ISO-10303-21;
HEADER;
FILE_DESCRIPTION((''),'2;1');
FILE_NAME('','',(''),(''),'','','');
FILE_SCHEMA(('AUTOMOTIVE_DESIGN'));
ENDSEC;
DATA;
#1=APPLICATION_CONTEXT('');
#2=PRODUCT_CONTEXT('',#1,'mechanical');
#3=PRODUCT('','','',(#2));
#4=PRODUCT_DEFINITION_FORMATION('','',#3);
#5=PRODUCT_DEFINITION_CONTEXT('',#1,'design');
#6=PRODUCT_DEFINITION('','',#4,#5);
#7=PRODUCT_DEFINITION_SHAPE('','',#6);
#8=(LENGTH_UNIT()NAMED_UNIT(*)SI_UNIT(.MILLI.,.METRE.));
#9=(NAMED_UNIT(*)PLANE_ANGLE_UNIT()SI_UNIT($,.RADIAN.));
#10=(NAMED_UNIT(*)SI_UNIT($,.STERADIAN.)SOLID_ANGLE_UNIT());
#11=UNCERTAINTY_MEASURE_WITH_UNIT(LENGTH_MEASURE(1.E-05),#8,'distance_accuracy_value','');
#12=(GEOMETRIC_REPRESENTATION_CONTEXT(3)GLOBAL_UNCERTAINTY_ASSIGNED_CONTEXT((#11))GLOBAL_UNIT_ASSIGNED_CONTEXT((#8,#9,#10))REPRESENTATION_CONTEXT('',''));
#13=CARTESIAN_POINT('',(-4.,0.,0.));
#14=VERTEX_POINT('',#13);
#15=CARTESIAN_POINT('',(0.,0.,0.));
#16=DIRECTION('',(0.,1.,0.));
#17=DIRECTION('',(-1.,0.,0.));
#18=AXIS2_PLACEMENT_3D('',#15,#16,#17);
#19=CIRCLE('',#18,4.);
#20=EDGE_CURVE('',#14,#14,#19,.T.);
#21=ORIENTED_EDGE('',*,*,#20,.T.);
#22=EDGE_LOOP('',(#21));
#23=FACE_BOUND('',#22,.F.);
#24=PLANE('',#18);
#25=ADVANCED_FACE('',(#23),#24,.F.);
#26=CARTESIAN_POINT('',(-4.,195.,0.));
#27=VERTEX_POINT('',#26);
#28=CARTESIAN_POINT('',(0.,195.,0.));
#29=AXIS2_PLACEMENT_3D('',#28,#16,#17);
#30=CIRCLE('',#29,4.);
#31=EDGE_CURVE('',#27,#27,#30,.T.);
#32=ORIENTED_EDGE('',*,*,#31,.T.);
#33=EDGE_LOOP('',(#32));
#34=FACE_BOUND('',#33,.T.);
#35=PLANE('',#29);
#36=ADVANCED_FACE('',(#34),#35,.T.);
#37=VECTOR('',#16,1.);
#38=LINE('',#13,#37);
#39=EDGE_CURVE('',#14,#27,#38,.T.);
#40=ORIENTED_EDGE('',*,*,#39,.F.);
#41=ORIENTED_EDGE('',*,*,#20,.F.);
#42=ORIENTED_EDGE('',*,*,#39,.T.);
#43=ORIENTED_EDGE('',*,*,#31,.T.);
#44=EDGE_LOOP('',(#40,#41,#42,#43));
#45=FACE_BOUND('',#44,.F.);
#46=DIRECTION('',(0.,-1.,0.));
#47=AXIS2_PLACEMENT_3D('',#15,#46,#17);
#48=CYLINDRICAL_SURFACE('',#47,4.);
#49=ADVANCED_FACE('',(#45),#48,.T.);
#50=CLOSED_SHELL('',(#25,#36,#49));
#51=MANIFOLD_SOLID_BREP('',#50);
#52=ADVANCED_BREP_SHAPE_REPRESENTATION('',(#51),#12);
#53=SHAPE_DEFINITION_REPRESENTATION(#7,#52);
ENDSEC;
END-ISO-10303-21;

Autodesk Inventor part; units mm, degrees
ref_plane "YZ Plane" through (0, 0, 0) normal (1, 0, 0) x (0, 1, 0)
ref_plane "XZ Plane" through (0, 0, 0) normal (0, 1, 0) x (-1, 0, 0)
ref_plane "XY Plane" through (0, 0, 0) normal (0, 0, 1) x (1, 0, 0)
sketch "Sketch1" plane through (0, 0, 0) normal (0, 1, 0) x (-1, 0, 0)
  circle A0 centre (0, 0) radius 4
extrude "Extrusion1" add sketch "Sketch1" along normal blind 195
properties part number "Piston Guide 8mm" material "Aluminum 6061"
